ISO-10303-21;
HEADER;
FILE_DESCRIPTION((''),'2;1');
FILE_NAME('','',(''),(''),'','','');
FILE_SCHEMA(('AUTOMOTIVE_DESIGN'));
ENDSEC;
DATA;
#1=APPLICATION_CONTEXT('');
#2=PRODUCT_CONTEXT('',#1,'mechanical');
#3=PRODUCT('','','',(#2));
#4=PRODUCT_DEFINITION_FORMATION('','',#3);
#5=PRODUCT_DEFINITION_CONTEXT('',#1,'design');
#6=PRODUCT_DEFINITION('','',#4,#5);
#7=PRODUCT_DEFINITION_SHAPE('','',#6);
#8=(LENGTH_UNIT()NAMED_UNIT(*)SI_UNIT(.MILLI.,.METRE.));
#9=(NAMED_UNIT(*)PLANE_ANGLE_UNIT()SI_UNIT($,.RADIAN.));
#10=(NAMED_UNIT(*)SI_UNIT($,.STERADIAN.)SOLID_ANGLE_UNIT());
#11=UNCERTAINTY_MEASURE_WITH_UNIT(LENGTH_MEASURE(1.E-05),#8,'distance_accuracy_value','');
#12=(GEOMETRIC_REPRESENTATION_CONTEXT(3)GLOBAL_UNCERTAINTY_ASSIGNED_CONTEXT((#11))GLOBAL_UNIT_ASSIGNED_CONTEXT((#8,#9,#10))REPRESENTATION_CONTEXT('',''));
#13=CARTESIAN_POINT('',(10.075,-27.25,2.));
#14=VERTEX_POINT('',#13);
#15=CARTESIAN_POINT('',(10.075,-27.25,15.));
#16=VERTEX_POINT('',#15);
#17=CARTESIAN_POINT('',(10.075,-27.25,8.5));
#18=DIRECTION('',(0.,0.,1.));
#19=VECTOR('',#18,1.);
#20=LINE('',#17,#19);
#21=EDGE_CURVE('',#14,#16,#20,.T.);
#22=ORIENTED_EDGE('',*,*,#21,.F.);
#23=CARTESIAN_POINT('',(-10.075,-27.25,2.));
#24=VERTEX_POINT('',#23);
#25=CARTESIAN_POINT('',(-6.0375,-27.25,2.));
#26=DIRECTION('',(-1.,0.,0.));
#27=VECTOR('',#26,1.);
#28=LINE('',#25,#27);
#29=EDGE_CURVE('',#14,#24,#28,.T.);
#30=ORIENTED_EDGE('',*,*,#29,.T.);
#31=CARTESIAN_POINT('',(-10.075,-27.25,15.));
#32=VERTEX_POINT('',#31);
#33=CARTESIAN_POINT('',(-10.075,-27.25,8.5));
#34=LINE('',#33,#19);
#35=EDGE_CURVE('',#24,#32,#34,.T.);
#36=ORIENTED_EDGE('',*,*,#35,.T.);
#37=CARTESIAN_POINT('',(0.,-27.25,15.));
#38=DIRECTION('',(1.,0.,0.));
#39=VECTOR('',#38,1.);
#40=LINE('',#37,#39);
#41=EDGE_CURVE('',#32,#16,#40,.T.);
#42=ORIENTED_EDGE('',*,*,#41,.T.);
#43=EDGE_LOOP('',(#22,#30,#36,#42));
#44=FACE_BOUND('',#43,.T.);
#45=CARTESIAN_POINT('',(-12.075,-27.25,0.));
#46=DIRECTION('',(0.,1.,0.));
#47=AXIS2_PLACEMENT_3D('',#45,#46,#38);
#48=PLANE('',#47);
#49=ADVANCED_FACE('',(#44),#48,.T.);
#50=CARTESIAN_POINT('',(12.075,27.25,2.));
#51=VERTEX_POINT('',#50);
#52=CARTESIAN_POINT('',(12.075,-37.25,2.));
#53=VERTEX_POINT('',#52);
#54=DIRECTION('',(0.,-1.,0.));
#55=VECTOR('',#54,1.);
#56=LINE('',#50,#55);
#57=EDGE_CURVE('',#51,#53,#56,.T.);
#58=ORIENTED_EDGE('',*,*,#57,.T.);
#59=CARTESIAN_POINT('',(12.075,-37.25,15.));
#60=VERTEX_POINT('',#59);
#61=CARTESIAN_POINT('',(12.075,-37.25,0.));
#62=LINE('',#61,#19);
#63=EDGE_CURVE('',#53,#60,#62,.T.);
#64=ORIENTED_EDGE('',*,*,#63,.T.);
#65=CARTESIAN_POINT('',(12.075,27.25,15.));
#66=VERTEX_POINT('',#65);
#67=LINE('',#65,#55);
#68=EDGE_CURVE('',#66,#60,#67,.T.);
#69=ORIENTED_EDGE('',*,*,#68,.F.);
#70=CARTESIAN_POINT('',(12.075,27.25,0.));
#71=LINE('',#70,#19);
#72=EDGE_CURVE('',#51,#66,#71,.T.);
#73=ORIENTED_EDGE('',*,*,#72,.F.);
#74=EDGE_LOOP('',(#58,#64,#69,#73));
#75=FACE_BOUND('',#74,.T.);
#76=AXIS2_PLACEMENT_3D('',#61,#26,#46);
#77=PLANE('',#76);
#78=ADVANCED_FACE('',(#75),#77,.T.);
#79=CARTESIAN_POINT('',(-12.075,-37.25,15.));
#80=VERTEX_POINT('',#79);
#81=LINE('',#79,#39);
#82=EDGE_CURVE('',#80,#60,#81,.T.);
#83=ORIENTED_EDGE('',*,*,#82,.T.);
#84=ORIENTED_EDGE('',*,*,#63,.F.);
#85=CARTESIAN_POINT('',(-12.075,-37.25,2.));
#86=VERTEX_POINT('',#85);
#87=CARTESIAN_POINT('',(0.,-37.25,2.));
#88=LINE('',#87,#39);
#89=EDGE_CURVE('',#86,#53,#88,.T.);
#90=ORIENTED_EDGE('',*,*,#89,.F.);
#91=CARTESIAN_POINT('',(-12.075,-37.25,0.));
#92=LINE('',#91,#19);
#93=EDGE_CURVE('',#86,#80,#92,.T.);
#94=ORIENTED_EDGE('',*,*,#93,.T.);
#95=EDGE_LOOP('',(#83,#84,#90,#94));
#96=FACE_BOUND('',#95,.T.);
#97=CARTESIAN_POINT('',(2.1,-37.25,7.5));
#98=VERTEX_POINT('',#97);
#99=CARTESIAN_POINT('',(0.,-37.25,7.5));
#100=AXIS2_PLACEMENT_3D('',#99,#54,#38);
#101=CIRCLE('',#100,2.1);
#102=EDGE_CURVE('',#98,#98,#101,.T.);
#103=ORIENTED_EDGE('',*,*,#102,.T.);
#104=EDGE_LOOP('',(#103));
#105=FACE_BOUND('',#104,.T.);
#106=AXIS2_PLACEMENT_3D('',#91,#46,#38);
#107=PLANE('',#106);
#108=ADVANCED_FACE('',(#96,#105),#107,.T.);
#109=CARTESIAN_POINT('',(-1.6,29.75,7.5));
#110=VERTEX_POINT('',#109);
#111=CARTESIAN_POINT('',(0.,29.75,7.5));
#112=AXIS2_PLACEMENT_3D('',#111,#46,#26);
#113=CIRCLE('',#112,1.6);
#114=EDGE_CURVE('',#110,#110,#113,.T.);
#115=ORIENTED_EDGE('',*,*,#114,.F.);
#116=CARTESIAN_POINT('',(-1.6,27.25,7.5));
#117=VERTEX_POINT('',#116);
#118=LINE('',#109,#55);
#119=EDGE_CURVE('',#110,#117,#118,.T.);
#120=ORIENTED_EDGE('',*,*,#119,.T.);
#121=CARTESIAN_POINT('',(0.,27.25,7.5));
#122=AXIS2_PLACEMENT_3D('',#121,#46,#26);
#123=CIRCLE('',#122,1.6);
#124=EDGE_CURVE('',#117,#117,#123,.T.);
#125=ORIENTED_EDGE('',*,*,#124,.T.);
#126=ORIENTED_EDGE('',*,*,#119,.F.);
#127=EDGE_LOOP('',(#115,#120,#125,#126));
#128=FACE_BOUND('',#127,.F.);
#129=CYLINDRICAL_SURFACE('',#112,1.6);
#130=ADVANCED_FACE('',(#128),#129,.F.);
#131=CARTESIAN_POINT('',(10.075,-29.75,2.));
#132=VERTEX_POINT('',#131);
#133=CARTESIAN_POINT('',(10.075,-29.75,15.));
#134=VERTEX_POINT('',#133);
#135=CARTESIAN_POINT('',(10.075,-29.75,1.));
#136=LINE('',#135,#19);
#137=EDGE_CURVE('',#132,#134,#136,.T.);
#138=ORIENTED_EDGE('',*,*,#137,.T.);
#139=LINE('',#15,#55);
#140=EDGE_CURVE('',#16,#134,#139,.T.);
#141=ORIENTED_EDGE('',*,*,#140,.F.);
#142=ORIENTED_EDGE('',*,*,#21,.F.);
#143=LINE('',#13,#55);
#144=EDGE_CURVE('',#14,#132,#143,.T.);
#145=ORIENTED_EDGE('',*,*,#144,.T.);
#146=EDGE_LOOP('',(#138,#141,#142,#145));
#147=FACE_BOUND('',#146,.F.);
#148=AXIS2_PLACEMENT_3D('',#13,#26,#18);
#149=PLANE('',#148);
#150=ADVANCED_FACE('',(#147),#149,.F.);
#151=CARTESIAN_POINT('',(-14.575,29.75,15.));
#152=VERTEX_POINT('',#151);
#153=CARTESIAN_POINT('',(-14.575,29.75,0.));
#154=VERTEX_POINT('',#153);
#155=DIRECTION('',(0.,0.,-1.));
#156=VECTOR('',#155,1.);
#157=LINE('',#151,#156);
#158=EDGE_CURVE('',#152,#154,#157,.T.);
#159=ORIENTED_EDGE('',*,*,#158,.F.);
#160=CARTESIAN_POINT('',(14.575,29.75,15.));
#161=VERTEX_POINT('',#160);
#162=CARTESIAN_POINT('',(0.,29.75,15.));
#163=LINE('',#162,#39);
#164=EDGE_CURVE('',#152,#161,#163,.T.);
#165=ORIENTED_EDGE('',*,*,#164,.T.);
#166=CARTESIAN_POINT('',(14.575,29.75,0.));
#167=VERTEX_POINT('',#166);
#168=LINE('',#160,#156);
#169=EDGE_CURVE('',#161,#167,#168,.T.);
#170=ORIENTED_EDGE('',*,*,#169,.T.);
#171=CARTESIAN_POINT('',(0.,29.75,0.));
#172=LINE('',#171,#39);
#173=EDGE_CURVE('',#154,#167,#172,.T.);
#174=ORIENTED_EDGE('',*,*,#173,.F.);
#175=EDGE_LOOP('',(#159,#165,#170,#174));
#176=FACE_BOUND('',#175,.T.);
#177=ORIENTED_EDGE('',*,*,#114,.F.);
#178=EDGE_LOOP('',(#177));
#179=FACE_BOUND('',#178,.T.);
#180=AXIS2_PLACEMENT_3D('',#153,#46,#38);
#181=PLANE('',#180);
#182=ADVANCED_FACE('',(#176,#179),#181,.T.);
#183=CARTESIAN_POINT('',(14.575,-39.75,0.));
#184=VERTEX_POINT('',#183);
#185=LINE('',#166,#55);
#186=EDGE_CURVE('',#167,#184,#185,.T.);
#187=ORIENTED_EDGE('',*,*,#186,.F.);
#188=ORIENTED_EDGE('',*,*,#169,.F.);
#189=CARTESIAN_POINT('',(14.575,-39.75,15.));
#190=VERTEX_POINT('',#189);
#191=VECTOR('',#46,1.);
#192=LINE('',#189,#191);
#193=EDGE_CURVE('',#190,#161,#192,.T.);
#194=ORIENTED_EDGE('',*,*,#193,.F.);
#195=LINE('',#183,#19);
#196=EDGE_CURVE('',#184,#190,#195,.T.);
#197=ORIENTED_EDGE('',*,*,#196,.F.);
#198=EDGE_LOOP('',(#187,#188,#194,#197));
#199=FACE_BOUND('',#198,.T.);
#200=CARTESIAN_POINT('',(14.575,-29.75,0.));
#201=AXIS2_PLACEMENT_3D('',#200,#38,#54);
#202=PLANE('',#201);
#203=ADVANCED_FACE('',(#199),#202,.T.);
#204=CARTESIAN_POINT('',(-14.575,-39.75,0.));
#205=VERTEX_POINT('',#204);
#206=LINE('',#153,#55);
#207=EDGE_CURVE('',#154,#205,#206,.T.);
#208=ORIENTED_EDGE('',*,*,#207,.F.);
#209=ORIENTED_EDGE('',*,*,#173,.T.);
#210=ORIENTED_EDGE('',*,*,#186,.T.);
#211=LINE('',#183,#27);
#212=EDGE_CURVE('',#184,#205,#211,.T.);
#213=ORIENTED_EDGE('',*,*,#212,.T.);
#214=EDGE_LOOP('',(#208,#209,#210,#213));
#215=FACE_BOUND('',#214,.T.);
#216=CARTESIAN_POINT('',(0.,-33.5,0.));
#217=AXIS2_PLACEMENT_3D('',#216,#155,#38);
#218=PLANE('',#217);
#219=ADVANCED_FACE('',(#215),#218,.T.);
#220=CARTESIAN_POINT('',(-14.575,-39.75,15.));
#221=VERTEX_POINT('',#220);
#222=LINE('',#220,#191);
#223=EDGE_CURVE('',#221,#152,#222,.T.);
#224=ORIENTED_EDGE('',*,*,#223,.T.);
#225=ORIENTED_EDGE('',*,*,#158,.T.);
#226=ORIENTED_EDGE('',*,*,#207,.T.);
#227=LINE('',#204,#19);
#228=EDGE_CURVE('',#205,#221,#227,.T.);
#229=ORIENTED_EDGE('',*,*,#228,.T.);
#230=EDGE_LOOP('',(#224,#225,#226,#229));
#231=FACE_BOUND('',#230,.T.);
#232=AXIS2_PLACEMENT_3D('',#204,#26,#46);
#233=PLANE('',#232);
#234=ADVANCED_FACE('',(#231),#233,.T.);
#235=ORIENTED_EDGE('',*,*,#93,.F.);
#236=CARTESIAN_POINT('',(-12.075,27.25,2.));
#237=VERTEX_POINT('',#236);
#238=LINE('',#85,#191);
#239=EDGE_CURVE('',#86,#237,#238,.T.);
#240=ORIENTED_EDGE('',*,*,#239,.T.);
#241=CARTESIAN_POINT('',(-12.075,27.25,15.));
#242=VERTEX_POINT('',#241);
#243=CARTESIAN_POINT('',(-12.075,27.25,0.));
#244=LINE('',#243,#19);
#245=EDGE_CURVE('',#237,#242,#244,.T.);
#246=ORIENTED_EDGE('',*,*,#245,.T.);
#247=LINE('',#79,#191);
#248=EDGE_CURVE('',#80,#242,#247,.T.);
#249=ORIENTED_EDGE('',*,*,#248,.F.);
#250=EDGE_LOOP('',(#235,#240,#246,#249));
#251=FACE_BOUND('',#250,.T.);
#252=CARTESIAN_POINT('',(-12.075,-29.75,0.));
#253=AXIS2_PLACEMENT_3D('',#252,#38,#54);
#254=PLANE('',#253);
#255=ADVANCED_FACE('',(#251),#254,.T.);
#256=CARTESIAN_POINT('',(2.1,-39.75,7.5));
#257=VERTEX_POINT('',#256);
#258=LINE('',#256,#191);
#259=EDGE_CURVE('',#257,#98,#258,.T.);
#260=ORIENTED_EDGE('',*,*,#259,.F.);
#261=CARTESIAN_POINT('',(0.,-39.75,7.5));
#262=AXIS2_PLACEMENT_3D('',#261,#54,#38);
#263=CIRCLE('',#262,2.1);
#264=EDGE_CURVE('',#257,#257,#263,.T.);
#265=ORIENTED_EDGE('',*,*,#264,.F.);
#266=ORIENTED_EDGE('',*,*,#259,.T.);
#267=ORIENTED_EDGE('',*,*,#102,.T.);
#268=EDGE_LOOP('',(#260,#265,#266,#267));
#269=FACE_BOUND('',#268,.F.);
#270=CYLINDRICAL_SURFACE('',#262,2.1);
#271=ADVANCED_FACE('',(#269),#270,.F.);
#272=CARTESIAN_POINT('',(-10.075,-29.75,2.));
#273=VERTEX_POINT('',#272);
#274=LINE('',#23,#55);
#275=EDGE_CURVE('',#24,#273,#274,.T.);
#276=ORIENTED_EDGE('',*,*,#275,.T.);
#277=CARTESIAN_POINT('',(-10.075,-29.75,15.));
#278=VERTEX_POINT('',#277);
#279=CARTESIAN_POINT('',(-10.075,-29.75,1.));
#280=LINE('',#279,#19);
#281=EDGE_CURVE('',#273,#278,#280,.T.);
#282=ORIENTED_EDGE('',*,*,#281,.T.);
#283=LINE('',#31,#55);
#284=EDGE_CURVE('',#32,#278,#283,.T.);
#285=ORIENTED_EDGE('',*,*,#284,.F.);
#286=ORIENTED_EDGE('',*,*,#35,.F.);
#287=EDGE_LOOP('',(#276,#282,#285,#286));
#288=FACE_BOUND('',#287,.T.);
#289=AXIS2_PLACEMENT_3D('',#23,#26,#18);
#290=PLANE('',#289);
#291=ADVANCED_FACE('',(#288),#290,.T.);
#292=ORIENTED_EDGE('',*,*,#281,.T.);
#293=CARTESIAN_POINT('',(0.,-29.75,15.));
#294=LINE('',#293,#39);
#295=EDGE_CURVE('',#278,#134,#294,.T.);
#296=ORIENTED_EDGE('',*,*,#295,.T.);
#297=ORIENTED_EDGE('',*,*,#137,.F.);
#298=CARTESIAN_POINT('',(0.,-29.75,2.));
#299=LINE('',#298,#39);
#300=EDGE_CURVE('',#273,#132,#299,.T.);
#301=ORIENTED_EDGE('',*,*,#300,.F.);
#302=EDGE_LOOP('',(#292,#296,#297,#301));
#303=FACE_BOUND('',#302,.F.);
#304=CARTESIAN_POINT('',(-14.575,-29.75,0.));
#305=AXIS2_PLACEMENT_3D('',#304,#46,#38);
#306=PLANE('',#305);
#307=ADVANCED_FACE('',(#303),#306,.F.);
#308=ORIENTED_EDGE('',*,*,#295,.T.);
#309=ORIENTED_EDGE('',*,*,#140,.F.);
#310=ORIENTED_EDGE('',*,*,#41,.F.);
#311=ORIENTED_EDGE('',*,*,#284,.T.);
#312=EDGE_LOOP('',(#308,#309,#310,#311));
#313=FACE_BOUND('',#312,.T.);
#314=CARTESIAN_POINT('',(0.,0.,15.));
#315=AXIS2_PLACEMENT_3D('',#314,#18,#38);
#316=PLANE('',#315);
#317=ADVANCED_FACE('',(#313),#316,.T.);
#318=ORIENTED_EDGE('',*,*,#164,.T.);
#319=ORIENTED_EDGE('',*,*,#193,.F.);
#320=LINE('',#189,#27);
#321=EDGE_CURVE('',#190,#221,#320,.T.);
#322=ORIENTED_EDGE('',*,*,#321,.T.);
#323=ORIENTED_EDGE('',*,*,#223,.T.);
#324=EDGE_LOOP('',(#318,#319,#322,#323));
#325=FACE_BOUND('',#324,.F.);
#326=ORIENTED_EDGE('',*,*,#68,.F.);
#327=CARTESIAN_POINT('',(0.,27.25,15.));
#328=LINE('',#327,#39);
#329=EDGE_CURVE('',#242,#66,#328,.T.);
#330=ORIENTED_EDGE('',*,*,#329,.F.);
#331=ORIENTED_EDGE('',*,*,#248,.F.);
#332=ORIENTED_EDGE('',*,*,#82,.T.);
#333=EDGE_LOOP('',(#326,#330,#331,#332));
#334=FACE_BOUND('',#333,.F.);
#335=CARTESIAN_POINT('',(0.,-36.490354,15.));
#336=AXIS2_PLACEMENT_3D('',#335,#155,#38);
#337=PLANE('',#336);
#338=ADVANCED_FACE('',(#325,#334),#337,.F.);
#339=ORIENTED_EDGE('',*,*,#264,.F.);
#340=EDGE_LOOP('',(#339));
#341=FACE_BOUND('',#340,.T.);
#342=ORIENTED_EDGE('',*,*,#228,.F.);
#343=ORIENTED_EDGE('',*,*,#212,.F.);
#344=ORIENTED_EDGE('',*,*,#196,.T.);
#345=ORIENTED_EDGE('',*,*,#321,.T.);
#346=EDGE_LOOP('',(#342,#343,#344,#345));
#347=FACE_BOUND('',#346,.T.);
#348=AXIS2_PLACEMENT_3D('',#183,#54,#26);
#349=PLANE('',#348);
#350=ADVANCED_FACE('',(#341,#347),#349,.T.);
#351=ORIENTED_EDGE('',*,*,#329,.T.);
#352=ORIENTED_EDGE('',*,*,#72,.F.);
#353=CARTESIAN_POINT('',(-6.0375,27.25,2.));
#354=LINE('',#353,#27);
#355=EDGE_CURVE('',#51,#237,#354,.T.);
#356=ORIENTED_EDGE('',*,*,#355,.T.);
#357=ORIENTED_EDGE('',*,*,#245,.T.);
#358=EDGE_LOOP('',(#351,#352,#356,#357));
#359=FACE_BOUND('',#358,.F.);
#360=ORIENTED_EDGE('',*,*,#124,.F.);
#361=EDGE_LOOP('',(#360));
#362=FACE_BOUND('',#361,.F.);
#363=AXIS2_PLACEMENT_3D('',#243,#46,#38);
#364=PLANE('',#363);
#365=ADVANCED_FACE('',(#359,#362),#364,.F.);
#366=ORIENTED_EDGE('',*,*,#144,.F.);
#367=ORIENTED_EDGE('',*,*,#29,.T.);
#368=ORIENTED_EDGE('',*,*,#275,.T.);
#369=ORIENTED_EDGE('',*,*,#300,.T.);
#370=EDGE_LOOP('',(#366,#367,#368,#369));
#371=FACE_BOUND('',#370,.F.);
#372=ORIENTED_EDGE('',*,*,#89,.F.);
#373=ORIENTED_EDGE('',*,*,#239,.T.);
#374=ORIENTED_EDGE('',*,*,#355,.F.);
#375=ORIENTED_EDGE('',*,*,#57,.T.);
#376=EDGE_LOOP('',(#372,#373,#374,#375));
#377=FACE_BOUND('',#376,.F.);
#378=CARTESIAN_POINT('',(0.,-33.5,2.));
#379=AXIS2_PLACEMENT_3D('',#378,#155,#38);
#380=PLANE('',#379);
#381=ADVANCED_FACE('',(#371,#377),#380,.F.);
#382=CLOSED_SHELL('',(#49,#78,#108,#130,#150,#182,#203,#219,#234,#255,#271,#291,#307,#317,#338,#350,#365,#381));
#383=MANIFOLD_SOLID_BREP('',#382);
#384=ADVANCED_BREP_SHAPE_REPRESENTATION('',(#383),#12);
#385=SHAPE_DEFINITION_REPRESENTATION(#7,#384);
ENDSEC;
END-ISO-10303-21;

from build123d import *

# Parameters (mm, degrees)
F0_W      = 29.15
F0_H      = 59.5
F0_W_2    = 24.15
F0_H_2    = 54.5
F1_DEPTH  = 2
F2_DEPTH  = 15
F3_W      = 2
F3_H      = 13
F4_DEPTH  = 25
F6_DEPTH  = 15
F5_W      = 24.15
F5_H      = 7.5
F7_DEPTH  = 2
F8_R      = 2.1
F9_DEPTH  = 5
F10_R     = 1.6
F11_DEPTH = 25


with BuildPart() as f1:
    # F0 (on Top) → F1 (new body)
    with BuildSketch(Plane.XY):
        Rectangle(F0_W, F0_H)
        Rectangle(F0_W_2, F0_H_2, mode=Mode.SUBTRACT)
        Rectangle(F0_W_2, F0_H_2)
    extrude(amount=F1_DEPTH)

    # F0 (on Top) → F2 (join)
    with BuildSketch(Plane.XY):
        Rectangle(F0_W, F0_H)
        Rectangle(F0_W_2, F0_H_2, mode=Mode.SUBTRACT)
    extrude(amount=F2_DEPTH)

    # F3 (on face) → F4 (cut)
    with BuildSketch(Plane(origin=(0, -27.25, 0), x_dir=(-1, 0, 0), z_dir=(0, 1, 0))):
        with Locations((11.075, 8.5)):
            Rectangle(F3_W, F3_H)
        with Locations((-11.075, 8.5)):
            Rectangle(F3_W, F3_H)
    extrude(amount=-F4_DEPTH, mode=Mode.SUBTRACT)

    # F5 (on face) → F6 (join)
    with BuildSketch(Plane(origin=(0, 0, 0), x_dir=(1, 0, 0), z_dir=(0, 0, -1))):
        Polygon((-14.575, 39.75), (-14.575, 29.75), (-12.075, 29.75), (-12.075, 37.25), (12.075, 37.25), (12.075, 29.75), (14.575, 29.75), (14.575, 39.75), align=None)
    extrude(amount=-F6_DEPTH)

    # F5 (on face) → F7 (join)
    with BuildSketch(Plane(origin=(0, 0, 0), x_dir=(1, 0, 0), z_dir=(0, 0, -1))):
        with Locations((0, 33.5)):
            Rectangle(F5_W, F5_H)
    extrude(amount=-F7_DEPTH)

    # F8 (on face) → F9 (cut)
    with BuildSketch(Plane.XZ.offset(39.75)):
        with Locations((0, 7.5)):
            Circle(F8_R)
    extrude(amount=-F9_DEPTH, mode=Mode.SUBTRACT)

    # F10 (on face) → F11 (cut)
    with BuildSketch(Plane(origin=(0, 29.75, 0), x_dir=(-1, 0, 0), z_dir=(0, 1, 0))):
        with Locations((0, 7.5)):
            Circle(F10_R)
    extrude(amount=-F11_DEPTH, mode=Mode.SUBTRACT)


solid = f1.part
